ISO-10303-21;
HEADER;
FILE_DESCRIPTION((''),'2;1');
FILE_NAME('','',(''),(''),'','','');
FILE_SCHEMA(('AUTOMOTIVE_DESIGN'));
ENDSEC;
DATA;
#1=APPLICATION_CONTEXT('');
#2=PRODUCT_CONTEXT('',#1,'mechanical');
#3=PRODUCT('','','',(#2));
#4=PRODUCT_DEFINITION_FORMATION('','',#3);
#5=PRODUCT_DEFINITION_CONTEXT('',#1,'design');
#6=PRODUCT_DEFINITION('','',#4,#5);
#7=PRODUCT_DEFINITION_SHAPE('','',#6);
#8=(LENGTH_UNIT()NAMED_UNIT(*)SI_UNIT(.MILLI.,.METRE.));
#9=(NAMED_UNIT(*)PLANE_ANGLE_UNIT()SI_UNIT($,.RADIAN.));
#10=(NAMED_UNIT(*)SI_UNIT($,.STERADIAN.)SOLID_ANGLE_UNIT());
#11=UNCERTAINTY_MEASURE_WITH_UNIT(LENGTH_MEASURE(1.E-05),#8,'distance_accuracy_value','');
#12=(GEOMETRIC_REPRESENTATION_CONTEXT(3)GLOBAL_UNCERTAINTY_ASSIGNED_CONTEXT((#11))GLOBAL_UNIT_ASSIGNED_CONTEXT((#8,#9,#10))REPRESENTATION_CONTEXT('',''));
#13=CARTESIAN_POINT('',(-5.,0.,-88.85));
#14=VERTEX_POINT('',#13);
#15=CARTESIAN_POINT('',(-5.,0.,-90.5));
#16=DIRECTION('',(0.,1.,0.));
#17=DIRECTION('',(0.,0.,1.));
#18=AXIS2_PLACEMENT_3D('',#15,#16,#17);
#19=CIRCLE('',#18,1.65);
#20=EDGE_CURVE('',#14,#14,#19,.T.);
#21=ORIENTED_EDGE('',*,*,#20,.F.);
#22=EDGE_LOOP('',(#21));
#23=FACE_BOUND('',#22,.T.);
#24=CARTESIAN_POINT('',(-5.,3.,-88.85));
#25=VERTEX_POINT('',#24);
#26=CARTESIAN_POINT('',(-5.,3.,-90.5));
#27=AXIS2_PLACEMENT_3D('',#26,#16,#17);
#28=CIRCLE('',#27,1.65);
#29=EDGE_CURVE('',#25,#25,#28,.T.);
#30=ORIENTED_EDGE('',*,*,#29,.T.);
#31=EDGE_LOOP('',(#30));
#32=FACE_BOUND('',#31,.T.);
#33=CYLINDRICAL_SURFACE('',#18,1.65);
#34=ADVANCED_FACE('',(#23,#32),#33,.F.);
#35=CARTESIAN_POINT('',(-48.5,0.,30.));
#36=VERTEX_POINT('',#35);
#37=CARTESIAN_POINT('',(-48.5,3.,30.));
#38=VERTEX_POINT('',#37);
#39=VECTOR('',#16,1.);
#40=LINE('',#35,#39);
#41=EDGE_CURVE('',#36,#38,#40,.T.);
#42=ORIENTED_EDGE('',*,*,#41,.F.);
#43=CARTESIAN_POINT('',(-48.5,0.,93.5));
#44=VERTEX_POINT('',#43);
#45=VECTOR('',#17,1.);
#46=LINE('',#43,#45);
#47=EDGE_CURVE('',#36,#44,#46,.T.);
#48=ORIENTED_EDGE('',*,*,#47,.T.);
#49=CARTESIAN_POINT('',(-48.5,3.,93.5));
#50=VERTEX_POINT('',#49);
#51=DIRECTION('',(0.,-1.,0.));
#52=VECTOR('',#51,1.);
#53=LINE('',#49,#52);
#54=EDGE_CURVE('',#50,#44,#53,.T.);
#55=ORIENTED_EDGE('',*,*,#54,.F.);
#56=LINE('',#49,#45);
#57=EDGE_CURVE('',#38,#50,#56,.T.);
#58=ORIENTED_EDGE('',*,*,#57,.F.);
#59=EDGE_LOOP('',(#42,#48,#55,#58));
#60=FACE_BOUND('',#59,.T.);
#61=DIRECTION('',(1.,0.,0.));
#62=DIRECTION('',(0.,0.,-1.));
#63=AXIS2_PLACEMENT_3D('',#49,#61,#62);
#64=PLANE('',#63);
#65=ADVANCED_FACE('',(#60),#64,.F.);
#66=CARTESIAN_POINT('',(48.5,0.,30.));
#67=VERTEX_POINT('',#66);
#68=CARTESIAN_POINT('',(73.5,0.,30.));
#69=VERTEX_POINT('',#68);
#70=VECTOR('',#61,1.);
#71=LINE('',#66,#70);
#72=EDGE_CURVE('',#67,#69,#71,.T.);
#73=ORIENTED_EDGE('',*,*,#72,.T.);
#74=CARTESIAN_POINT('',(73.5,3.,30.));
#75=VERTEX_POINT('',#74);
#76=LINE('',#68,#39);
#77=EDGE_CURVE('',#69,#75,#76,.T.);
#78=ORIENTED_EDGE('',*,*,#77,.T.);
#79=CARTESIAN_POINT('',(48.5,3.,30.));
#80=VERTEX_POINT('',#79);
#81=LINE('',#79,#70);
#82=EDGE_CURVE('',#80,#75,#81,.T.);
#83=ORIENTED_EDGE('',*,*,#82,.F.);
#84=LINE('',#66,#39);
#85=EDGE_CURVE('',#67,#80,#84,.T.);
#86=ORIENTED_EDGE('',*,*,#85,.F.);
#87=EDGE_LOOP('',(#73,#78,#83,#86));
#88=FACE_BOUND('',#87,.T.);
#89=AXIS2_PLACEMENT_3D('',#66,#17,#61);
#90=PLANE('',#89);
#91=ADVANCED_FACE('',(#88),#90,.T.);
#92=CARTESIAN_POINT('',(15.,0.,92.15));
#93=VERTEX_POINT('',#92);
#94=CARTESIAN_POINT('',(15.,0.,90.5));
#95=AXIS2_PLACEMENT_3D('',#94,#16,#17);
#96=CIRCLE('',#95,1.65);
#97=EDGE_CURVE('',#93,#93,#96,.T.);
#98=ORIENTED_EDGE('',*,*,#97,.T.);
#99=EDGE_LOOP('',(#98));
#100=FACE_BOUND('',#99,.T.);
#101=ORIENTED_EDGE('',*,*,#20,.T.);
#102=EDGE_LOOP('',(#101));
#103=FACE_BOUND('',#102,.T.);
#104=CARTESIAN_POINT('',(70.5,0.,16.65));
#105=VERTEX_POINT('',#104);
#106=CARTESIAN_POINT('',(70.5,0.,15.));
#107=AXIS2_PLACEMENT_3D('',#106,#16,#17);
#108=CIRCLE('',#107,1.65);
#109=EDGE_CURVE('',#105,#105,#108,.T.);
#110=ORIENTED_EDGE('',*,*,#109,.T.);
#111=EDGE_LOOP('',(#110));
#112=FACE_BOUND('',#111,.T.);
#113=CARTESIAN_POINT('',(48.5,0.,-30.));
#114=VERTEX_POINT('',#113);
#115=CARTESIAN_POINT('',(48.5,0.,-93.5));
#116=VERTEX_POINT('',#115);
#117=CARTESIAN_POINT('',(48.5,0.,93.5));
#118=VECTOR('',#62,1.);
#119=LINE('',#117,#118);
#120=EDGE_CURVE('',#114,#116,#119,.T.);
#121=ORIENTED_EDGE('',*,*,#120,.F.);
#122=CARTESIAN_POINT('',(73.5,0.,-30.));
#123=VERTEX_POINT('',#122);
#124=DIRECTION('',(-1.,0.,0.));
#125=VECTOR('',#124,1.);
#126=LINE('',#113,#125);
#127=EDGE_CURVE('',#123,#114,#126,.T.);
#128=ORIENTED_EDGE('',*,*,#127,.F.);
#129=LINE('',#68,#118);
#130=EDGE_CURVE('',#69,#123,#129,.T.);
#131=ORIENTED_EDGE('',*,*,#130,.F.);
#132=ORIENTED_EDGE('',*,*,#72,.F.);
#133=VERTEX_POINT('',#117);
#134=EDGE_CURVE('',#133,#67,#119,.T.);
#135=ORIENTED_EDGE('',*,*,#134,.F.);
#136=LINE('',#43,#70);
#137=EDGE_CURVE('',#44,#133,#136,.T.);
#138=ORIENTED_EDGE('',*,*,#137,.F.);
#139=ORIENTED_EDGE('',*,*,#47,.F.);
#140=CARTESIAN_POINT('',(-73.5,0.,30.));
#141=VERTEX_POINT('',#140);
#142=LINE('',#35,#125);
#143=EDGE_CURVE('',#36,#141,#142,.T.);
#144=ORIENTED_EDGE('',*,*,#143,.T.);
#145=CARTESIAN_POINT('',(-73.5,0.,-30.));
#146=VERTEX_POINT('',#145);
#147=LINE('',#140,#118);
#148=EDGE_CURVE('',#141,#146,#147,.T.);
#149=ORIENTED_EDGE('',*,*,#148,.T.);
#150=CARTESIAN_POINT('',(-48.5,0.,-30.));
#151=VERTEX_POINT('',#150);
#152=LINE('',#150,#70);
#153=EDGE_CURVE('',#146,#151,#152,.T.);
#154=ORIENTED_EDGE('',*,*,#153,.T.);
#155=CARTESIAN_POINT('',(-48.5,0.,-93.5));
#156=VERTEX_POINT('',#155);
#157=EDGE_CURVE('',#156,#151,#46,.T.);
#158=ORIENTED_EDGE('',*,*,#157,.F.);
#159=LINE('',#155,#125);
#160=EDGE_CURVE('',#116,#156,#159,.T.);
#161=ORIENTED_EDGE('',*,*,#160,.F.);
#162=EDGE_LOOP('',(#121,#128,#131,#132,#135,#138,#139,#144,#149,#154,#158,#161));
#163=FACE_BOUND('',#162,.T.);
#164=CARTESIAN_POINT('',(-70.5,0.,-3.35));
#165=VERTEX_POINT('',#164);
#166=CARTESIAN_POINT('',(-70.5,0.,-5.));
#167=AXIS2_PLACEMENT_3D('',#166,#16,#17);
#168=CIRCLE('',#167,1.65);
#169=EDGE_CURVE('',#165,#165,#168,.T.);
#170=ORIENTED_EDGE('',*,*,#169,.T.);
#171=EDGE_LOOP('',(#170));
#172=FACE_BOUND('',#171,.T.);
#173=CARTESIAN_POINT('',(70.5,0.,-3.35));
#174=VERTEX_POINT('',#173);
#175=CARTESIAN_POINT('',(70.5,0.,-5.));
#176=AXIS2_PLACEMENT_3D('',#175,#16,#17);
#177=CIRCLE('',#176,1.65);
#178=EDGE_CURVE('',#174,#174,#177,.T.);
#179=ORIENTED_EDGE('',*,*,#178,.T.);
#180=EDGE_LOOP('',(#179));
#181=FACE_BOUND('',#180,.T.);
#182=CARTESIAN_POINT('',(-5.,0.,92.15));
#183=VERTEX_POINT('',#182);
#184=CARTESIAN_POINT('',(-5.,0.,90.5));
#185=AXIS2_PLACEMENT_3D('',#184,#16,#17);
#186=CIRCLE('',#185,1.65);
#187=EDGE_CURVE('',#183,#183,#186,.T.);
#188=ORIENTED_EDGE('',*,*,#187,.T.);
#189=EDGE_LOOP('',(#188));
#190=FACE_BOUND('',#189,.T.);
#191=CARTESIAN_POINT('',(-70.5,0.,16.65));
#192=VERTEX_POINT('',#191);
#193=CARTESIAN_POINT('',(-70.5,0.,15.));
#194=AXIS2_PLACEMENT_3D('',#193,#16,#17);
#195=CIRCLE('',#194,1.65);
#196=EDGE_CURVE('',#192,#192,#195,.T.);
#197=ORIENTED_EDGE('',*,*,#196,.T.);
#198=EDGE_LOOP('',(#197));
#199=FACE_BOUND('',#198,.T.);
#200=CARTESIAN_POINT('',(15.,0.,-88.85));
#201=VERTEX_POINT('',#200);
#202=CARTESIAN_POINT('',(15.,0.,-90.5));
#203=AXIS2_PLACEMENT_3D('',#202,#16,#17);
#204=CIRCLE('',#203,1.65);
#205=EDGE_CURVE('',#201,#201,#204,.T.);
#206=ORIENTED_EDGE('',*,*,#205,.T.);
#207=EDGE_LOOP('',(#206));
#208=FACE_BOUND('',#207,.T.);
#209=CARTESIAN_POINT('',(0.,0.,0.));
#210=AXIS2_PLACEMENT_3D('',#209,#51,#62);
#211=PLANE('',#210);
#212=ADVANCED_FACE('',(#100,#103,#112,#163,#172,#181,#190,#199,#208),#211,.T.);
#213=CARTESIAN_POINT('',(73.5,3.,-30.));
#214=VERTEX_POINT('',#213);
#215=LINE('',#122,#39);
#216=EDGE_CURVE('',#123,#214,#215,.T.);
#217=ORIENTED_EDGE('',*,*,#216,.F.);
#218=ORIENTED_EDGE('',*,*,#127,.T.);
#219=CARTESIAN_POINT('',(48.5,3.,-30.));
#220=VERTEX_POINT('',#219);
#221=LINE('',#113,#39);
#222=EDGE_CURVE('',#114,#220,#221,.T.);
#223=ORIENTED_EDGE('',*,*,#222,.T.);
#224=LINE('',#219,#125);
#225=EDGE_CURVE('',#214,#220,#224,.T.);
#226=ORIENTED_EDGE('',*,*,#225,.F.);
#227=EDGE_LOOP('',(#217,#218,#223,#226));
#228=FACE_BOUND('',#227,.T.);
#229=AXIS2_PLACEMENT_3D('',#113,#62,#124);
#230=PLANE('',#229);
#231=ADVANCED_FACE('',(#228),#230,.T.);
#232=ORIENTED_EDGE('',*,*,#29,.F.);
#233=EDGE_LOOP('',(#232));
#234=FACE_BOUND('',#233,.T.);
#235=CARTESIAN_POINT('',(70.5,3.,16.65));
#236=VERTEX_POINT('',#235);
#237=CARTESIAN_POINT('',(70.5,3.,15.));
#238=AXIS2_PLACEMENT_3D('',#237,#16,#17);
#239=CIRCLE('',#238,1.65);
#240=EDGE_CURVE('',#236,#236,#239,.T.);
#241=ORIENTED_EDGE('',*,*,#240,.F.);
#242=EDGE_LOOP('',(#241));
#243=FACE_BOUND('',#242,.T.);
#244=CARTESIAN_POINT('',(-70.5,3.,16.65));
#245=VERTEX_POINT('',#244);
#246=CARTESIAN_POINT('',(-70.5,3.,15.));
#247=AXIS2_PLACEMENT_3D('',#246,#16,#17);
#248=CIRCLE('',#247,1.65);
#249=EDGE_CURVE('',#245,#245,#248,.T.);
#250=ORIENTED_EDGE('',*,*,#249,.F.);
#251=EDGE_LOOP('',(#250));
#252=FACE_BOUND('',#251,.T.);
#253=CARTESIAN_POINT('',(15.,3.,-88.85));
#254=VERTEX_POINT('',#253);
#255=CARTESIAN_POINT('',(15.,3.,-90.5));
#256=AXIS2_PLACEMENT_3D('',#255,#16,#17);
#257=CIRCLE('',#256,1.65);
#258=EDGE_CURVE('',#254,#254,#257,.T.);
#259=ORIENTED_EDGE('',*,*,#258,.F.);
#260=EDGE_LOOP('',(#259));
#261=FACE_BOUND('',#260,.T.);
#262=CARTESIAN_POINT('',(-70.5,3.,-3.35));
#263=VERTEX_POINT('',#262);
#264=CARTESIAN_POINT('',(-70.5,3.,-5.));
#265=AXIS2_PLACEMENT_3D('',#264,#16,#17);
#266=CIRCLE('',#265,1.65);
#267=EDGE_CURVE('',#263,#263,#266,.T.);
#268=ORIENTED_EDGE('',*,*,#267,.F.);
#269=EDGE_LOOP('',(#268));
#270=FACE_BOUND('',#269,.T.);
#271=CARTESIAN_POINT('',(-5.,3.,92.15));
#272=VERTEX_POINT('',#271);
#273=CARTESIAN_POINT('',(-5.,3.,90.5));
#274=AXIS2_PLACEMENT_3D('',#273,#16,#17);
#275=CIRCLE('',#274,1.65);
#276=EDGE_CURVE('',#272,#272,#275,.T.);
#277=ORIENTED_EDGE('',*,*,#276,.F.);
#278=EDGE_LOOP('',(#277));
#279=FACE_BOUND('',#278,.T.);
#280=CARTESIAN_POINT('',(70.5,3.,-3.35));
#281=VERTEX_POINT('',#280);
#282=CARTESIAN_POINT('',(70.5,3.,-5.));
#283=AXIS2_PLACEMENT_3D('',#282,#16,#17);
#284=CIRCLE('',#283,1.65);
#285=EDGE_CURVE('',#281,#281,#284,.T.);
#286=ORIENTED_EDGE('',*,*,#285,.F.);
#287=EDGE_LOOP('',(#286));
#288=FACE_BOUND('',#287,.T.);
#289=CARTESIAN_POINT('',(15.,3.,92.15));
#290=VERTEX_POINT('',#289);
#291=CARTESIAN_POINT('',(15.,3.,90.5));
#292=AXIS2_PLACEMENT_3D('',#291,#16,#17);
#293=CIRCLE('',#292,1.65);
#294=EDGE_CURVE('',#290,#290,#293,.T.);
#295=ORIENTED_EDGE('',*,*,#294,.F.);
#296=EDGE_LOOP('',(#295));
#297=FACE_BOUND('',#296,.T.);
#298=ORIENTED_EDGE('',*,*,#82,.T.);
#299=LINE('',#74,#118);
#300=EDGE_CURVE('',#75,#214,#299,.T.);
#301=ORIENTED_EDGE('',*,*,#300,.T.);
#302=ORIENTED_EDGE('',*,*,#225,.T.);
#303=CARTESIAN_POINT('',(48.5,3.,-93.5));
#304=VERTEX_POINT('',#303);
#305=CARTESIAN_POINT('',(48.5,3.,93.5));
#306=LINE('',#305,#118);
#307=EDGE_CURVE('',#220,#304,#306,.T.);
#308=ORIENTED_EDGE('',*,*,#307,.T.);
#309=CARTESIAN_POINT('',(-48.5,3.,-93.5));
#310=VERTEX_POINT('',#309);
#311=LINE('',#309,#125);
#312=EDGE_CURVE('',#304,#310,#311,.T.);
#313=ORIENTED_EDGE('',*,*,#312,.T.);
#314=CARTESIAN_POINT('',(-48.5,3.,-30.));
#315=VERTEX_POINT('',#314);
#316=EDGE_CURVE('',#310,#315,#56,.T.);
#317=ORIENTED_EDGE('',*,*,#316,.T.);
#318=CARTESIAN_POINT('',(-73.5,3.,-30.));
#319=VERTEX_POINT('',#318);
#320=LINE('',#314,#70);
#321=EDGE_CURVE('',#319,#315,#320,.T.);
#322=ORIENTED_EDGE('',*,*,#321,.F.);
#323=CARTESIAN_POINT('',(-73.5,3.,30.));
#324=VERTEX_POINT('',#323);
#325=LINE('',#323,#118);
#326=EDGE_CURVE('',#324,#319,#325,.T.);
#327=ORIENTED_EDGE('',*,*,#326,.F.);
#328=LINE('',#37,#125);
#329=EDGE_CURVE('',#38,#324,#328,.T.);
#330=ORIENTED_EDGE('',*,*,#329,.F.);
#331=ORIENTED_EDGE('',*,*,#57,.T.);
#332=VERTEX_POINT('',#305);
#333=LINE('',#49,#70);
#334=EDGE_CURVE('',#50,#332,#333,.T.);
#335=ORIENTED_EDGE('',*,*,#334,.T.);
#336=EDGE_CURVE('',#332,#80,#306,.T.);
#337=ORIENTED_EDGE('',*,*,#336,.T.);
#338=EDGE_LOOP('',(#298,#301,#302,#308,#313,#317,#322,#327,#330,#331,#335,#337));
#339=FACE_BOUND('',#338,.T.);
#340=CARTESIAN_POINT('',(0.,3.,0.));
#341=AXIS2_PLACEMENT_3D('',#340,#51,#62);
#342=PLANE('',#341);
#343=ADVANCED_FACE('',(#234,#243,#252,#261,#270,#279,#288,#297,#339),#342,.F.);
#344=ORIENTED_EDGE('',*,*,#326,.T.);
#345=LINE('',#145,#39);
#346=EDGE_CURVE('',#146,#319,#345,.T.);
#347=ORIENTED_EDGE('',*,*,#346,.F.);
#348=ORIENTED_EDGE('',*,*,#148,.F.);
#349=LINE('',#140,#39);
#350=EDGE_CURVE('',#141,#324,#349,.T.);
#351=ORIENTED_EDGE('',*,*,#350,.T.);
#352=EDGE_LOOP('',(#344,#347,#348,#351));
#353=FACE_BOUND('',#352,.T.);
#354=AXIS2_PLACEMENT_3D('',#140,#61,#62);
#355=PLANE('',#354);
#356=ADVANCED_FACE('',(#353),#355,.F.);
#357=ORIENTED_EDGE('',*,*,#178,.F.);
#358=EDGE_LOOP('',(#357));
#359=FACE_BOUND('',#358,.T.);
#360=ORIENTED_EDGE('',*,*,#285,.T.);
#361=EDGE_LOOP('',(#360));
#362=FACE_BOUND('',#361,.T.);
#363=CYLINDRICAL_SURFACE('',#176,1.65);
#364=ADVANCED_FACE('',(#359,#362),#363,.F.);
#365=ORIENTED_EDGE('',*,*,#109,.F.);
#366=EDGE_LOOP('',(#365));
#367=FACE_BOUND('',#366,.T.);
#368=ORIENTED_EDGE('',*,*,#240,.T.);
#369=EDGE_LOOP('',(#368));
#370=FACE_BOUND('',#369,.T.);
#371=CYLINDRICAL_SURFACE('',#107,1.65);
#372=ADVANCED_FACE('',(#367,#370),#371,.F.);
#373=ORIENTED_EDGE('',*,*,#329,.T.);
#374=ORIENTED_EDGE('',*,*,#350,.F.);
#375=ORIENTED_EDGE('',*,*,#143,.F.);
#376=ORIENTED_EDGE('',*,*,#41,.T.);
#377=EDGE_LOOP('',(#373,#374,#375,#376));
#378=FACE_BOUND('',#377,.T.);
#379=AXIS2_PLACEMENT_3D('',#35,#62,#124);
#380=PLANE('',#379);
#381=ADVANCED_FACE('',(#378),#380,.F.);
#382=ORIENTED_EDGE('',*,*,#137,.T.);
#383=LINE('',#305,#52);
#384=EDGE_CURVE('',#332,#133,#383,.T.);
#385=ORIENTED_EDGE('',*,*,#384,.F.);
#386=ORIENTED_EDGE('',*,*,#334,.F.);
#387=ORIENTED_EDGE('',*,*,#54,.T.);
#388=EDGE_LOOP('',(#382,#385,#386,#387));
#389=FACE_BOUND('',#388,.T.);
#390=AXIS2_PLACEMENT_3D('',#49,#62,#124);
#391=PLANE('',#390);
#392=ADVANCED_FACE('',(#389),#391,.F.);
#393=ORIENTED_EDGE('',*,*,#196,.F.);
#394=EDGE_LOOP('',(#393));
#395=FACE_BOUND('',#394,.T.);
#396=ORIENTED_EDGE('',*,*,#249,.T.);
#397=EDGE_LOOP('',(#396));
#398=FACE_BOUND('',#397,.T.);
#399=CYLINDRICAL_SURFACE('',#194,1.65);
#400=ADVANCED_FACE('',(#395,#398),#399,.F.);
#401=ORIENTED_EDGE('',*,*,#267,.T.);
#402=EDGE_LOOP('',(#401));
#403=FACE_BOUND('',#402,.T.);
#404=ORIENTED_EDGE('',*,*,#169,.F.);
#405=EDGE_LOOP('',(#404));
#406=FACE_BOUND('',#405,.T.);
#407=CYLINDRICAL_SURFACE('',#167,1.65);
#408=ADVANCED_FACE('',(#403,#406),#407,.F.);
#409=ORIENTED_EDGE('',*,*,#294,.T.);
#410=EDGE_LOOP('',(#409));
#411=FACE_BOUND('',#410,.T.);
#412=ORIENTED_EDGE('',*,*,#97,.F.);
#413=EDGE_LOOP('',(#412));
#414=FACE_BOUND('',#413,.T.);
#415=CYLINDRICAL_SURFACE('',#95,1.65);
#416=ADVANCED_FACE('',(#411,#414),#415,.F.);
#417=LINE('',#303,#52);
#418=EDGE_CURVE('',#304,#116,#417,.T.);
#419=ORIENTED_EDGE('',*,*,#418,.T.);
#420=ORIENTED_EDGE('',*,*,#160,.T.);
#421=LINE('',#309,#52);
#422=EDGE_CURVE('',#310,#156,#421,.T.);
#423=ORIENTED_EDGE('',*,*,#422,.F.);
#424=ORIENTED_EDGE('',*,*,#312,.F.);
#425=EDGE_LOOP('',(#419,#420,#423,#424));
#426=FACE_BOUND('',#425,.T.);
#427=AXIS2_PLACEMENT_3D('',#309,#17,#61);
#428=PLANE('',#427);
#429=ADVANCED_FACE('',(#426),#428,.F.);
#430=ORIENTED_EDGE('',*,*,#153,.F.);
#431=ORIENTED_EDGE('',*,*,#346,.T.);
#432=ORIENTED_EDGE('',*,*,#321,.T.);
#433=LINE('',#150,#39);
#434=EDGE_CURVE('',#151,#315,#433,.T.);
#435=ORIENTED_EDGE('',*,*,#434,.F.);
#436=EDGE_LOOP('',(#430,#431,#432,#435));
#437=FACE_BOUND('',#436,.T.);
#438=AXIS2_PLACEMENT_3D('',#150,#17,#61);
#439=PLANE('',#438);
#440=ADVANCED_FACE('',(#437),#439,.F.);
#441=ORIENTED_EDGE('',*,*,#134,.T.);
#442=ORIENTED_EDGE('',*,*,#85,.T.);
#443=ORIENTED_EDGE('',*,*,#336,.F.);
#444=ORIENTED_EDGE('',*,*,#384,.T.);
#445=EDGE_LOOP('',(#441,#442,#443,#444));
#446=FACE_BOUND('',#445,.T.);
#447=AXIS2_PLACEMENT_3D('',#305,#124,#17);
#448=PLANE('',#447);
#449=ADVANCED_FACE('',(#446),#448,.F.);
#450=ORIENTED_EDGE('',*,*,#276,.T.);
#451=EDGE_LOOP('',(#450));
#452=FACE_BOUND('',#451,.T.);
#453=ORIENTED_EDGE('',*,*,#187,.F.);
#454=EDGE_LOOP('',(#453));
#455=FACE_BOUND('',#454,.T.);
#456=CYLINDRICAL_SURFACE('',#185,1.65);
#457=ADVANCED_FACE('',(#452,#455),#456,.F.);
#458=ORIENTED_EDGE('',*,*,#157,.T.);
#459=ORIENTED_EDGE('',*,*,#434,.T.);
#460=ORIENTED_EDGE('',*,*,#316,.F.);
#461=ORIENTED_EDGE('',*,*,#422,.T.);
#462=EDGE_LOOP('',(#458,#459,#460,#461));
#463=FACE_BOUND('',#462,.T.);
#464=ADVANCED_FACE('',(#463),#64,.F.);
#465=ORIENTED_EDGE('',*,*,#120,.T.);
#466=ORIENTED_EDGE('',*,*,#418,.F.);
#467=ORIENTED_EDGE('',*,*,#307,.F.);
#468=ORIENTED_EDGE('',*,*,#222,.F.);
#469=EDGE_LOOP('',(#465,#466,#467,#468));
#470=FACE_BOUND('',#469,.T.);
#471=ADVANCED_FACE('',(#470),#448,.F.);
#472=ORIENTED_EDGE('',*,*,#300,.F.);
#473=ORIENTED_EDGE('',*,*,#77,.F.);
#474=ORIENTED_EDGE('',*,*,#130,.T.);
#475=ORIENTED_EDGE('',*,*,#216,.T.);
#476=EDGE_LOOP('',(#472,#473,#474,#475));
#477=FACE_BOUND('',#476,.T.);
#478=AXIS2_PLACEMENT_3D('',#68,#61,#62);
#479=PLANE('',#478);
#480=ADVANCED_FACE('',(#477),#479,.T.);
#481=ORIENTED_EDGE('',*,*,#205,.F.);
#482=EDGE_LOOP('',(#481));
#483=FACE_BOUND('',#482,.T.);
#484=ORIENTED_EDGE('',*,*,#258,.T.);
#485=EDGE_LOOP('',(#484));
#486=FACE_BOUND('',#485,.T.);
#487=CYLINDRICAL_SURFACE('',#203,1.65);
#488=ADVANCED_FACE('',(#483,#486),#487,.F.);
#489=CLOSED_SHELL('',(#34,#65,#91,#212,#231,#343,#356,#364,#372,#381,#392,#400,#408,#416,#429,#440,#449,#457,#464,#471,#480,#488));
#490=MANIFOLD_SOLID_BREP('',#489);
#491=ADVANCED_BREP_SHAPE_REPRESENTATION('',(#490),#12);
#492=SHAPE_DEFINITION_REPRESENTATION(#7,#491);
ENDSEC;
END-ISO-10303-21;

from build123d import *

# Parameters (mm, degrees)
SKETCH_1_W          = 97
SKETCH_1_H          = 187
EXTRUDE_1_DEPTH     = 3
SKETCH_4_W          = 25
SKETCH_4_H          = 60
EXTRUDE_2_DEPTH     = 3
SKETCH_6_R          = 1.65
CUT_EXTRUDE_5_DEPTH = 3


with BuildPart() as part:
    # 草图1 → 凸台-拉伸1 (new body)
    with BuildSketch(Plane(origin=(0, 0, 0), x_dir=(1, 0, 0), z_dir=(0, 1, 0))):
        Rectangle(SKETCH_1_W, SKETCH_1_H)
    extrude(amount=EXTRUDE_1_DEPTH)

    # 草图4 → 凸台-拉伸2 (add)
    with BuildSketch(Plane(origin=(0, 3, 0), x_dir=(1, 0, 0), z_dir=(0, 1, 0))):
        with Locations((61, 0)):
            Rectangle(SKETCH_4_W, SKETCH_4_H)
    extrude_2 = extrude(amount=-EXTRUDE_2_DEPTH)

    # 镜向1: 凸台-拉伸2 across plane
    add(extrude_2.mirror(Plane(origin=(0, 0, 0), x_dir=(0, 0, 1), z_dir=(1, 0, 0))))

    # 草图6 → 切除-拉伸5 (cut)
    with BuildSketch(Plane(origin=(0, 3, 0), x_dir=(1, 0, 0), z_dir=(0, 1, 0))):
        with Locations(Location((-5, -90.5, 0), (0, 0, 270))):
            Circle(SKETCH_6_R)
        with Locations(Location((15, -90.5, 0), (0, 0, 270))):
            Circle(SKETCH_6_R)
        with Locations(Location((70.5, -15, 0), (0, 0, 270))):
            Circle(SKETCH_6_R)
        with Locations(Location((70.5, 5, 0), (0, 0, 270))):
            Circle(SKETCH_6_R)
        with Locations(Location((15, 90.5, 0), (0, 0, 270))):
            Circle(SKETCH_6_R)
        with Locations(Location((-5, 90.5, 0), (0, 0, 270))):
            Circle(SKETCH_6_R)
        with Locations(Location((-70.5, -15, 0), (0, 0, 270))):
            Circle(SKETCH_6_R)
        with Locations(Location((-70.5, 5, 0), (0, 0, 270))):
            Circle(SKETCH_6_R)
    extrude(amount=-CUT_EXTRUDE_5_DEPTH, mode=Mode.SUBTRACT)


solid = part.part
